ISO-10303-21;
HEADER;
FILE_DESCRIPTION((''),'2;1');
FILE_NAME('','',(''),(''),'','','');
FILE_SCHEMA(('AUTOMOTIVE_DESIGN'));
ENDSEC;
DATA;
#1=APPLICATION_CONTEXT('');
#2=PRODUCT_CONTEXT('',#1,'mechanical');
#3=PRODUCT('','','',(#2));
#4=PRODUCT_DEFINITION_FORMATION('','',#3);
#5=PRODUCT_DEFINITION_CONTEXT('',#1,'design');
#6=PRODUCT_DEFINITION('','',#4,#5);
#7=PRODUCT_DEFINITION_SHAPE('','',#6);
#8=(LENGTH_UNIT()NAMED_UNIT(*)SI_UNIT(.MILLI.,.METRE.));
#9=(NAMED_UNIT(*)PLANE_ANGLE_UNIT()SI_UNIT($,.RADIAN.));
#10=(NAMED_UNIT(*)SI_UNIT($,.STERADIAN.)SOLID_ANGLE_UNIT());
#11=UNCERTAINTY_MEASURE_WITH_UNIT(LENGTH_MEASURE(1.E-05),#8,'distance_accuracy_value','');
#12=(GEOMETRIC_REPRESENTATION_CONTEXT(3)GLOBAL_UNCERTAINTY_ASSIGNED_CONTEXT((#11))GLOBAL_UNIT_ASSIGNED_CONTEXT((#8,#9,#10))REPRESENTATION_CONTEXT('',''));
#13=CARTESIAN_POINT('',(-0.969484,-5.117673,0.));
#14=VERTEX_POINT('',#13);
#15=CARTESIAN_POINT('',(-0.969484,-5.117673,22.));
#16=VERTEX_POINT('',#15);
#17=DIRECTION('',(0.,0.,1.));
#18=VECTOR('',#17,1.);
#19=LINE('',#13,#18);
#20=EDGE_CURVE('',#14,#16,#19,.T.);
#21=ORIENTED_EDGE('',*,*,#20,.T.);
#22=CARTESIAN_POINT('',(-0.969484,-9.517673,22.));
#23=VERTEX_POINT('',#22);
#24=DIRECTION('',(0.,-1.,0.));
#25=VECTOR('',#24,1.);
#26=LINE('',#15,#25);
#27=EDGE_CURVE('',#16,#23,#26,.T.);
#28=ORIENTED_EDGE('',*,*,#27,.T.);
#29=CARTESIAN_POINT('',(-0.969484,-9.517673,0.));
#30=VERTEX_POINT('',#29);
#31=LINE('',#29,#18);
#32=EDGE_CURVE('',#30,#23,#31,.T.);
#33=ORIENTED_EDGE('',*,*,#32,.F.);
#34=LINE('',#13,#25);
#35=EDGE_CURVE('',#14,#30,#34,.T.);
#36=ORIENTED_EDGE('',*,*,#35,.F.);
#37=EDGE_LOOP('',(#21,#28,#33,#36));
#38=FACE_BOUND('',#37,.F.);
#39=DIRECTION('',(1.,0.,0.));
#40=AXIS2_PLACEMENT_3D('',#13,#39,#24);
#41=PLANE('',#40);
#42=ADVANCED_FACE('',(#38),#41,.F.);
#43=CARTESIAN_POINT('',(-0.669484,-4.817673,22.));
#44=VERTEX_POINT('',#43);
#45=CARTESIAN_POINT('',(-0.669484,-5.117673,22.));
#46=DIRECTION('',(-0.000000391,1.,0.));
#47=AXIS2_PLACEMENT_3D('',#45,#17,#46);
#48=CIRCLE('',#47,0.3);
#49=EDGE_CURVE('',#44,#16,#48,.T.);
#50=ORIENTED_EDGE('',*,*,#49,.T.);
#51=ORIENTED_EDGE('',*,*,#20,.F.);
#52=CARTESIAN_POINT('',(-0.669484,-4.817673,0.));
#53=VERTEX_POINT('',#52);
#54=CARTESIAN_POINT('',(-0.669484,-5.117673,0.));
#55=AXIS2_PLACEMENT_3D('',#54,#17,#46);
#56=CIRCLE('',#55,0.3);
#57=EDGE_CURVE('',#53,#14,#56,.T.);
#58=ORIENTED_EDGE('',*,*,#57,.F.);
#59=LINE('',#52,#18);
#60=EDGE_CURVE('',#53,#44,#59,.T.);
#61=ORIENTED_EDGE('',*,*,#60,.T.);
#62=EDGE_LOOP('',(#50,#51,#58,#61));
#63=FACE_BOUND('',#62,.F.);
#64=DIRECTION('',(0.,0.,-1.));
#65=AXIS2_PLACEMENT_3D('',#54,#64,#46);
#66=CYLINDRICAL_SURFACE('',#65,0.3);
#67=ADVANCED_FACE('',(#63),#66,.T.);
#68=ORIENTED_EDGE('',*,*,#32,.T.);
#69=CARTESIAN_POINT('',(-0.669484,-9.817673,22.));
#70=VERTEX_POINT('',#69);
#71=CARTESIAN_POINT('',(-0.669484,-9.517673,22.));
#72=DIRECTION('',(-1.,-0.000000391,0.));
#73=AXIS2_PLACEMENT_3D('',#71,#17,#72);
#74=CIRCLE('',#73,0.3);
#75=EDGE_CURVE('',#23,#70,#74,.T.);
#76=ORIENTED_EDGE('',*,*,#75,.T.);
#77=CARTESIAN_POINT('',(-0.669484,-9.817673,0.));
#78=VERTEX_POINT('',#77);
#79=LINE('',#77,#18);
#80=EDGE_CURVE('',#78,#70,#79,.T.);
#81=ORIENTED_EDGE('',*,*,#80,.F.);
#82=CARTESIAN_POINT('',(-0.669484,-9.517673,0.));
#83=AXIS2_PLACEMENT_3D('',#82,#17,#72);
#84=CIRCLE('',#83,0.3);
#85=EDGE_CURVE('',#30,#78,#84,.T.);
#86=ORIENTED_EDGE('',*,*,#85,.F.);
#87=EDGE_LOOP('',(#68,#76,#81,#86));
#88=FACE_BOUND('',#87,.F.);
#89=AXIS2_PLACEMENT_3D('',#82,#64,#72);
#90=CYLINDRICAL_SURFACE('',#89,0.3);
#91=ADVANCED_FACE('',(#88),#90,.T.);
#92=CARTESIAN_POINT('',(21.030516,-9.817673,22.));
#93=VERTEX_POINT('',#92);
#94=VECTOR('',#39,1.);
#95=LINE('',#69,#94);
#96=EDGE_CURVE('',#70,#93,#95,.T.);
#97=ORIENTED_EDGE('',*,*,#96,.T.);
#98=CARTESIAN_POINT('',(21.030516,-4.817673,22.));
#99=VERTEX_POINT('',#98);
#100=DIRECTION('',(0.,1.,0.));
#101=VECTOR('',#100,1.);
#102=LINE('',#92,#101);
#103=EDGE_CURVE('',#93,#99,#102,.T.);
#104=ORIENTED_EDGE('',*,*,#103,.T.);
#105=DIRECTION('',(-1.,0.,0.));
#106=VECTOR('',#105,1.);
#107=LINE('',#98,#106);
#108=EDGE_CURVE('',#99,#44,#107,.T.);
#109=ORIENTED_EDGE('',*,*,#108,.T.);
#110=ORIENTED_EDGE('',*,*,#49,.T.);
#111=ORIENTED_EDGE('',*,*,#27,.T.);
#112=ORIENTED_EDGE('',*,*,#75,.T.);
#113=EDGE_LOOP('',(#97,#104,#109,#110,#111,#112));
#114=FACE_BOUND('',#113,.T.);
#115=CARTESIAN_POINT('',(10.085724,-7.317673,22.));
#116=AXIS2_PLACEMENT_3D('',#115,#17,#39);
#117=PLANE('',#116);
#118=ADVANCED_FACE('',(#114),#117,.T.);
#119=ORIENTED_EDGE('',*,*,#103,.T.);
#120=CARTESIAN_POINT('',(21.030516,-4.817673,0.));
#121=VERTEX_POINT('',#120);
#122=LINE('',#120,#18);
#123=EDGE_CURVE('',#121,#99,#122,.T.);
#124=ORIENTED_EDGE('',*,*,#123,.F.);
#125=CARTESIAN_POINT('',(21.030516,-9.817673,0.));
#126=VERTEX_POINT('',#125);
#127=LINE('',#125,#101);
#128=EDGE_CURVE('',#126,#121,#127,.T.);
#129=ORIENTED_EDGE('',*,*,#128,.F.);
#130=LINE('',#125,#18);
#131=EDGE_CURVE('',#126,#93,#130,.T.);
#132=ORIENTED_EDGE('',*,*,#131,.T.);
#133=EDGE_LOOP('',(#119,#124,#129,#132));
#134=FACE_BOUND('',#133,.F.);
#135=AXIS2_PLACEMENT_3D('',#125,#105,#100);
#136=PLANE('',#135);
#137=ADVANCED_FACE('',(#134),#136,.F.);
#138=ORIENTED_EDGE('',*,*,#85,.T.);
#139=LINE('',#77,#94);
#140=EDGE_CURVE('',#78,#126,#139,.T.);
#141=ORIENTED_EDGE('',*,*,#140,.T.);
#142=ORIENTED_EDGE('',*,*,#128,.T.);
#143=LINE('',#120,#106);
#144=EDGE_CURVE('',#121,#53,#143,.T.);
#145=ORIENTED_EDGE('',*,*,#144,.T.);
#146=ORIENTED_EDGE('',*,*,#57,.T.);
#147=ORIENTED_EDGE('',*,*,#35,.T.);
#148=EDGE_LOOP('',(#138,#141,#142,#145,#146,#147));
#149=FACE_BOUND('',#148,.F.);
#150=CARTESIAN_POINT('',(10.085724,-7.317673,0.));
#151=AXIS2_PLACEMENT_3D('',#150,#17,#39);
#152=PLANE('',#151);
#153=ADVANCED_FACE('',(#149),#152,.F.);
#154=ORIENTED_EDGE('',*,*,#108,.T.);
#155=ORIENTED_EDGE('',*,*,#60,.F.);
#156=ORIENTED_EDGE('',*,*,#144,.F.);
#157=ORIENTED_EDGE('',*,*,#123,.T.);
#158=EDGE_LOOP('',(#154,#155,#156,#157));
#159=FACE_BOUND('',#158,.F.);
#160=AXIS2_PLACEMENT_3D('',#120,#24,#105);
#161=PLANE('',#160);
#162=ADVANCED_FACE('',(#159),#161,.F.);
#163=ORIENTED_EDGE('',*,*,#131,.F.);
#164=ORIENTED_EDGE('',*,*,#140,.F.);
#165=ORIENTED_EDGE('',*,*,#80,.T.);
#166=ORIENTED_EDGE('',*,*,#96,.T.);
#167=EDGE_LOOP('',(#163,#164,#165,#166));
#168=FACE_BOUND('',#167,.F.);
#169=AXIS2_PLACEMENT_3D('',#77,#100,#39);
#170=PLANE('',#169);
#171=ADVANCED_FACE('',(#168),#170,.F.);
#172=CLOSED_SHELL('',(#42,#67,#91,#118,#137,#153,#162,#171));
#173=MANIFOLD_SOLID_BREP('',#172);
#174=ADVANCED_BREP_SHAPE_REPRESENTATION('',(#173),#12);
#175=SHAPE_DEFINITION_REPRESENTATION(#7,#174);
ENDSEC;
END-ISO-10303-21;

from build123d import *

# Parameters (mm, degrees)
F1_DEPTH = 22


with BuildPart() as f1:
    # F0 (on Top) → F1 (new body)
    with BuildSketch(Plane.XY):
        with BuildLine():
            Line((21.030516, -4.817673), (-0.669484, -4.817673))
            ThreePointArc((-0.669484, -4.817673), (-0.881616, -4.905541), (-0.969484, -5.117673))
            Line((-0.969484, -5.117673), (-0.969484, -9.517673))
            ThreePointArc((-0.969484, -9.517673), (-0.881616, -9.729805), (-0.669484, -9.817673))
            Line((-0.669484, -9.817673), (21.030516, -9.817673))
            Line((21.030516, -9.817673), (21.030516, -4.817673))
        make_face()
    extrude(amount=F1_DEPTH)


solid = f1.part
